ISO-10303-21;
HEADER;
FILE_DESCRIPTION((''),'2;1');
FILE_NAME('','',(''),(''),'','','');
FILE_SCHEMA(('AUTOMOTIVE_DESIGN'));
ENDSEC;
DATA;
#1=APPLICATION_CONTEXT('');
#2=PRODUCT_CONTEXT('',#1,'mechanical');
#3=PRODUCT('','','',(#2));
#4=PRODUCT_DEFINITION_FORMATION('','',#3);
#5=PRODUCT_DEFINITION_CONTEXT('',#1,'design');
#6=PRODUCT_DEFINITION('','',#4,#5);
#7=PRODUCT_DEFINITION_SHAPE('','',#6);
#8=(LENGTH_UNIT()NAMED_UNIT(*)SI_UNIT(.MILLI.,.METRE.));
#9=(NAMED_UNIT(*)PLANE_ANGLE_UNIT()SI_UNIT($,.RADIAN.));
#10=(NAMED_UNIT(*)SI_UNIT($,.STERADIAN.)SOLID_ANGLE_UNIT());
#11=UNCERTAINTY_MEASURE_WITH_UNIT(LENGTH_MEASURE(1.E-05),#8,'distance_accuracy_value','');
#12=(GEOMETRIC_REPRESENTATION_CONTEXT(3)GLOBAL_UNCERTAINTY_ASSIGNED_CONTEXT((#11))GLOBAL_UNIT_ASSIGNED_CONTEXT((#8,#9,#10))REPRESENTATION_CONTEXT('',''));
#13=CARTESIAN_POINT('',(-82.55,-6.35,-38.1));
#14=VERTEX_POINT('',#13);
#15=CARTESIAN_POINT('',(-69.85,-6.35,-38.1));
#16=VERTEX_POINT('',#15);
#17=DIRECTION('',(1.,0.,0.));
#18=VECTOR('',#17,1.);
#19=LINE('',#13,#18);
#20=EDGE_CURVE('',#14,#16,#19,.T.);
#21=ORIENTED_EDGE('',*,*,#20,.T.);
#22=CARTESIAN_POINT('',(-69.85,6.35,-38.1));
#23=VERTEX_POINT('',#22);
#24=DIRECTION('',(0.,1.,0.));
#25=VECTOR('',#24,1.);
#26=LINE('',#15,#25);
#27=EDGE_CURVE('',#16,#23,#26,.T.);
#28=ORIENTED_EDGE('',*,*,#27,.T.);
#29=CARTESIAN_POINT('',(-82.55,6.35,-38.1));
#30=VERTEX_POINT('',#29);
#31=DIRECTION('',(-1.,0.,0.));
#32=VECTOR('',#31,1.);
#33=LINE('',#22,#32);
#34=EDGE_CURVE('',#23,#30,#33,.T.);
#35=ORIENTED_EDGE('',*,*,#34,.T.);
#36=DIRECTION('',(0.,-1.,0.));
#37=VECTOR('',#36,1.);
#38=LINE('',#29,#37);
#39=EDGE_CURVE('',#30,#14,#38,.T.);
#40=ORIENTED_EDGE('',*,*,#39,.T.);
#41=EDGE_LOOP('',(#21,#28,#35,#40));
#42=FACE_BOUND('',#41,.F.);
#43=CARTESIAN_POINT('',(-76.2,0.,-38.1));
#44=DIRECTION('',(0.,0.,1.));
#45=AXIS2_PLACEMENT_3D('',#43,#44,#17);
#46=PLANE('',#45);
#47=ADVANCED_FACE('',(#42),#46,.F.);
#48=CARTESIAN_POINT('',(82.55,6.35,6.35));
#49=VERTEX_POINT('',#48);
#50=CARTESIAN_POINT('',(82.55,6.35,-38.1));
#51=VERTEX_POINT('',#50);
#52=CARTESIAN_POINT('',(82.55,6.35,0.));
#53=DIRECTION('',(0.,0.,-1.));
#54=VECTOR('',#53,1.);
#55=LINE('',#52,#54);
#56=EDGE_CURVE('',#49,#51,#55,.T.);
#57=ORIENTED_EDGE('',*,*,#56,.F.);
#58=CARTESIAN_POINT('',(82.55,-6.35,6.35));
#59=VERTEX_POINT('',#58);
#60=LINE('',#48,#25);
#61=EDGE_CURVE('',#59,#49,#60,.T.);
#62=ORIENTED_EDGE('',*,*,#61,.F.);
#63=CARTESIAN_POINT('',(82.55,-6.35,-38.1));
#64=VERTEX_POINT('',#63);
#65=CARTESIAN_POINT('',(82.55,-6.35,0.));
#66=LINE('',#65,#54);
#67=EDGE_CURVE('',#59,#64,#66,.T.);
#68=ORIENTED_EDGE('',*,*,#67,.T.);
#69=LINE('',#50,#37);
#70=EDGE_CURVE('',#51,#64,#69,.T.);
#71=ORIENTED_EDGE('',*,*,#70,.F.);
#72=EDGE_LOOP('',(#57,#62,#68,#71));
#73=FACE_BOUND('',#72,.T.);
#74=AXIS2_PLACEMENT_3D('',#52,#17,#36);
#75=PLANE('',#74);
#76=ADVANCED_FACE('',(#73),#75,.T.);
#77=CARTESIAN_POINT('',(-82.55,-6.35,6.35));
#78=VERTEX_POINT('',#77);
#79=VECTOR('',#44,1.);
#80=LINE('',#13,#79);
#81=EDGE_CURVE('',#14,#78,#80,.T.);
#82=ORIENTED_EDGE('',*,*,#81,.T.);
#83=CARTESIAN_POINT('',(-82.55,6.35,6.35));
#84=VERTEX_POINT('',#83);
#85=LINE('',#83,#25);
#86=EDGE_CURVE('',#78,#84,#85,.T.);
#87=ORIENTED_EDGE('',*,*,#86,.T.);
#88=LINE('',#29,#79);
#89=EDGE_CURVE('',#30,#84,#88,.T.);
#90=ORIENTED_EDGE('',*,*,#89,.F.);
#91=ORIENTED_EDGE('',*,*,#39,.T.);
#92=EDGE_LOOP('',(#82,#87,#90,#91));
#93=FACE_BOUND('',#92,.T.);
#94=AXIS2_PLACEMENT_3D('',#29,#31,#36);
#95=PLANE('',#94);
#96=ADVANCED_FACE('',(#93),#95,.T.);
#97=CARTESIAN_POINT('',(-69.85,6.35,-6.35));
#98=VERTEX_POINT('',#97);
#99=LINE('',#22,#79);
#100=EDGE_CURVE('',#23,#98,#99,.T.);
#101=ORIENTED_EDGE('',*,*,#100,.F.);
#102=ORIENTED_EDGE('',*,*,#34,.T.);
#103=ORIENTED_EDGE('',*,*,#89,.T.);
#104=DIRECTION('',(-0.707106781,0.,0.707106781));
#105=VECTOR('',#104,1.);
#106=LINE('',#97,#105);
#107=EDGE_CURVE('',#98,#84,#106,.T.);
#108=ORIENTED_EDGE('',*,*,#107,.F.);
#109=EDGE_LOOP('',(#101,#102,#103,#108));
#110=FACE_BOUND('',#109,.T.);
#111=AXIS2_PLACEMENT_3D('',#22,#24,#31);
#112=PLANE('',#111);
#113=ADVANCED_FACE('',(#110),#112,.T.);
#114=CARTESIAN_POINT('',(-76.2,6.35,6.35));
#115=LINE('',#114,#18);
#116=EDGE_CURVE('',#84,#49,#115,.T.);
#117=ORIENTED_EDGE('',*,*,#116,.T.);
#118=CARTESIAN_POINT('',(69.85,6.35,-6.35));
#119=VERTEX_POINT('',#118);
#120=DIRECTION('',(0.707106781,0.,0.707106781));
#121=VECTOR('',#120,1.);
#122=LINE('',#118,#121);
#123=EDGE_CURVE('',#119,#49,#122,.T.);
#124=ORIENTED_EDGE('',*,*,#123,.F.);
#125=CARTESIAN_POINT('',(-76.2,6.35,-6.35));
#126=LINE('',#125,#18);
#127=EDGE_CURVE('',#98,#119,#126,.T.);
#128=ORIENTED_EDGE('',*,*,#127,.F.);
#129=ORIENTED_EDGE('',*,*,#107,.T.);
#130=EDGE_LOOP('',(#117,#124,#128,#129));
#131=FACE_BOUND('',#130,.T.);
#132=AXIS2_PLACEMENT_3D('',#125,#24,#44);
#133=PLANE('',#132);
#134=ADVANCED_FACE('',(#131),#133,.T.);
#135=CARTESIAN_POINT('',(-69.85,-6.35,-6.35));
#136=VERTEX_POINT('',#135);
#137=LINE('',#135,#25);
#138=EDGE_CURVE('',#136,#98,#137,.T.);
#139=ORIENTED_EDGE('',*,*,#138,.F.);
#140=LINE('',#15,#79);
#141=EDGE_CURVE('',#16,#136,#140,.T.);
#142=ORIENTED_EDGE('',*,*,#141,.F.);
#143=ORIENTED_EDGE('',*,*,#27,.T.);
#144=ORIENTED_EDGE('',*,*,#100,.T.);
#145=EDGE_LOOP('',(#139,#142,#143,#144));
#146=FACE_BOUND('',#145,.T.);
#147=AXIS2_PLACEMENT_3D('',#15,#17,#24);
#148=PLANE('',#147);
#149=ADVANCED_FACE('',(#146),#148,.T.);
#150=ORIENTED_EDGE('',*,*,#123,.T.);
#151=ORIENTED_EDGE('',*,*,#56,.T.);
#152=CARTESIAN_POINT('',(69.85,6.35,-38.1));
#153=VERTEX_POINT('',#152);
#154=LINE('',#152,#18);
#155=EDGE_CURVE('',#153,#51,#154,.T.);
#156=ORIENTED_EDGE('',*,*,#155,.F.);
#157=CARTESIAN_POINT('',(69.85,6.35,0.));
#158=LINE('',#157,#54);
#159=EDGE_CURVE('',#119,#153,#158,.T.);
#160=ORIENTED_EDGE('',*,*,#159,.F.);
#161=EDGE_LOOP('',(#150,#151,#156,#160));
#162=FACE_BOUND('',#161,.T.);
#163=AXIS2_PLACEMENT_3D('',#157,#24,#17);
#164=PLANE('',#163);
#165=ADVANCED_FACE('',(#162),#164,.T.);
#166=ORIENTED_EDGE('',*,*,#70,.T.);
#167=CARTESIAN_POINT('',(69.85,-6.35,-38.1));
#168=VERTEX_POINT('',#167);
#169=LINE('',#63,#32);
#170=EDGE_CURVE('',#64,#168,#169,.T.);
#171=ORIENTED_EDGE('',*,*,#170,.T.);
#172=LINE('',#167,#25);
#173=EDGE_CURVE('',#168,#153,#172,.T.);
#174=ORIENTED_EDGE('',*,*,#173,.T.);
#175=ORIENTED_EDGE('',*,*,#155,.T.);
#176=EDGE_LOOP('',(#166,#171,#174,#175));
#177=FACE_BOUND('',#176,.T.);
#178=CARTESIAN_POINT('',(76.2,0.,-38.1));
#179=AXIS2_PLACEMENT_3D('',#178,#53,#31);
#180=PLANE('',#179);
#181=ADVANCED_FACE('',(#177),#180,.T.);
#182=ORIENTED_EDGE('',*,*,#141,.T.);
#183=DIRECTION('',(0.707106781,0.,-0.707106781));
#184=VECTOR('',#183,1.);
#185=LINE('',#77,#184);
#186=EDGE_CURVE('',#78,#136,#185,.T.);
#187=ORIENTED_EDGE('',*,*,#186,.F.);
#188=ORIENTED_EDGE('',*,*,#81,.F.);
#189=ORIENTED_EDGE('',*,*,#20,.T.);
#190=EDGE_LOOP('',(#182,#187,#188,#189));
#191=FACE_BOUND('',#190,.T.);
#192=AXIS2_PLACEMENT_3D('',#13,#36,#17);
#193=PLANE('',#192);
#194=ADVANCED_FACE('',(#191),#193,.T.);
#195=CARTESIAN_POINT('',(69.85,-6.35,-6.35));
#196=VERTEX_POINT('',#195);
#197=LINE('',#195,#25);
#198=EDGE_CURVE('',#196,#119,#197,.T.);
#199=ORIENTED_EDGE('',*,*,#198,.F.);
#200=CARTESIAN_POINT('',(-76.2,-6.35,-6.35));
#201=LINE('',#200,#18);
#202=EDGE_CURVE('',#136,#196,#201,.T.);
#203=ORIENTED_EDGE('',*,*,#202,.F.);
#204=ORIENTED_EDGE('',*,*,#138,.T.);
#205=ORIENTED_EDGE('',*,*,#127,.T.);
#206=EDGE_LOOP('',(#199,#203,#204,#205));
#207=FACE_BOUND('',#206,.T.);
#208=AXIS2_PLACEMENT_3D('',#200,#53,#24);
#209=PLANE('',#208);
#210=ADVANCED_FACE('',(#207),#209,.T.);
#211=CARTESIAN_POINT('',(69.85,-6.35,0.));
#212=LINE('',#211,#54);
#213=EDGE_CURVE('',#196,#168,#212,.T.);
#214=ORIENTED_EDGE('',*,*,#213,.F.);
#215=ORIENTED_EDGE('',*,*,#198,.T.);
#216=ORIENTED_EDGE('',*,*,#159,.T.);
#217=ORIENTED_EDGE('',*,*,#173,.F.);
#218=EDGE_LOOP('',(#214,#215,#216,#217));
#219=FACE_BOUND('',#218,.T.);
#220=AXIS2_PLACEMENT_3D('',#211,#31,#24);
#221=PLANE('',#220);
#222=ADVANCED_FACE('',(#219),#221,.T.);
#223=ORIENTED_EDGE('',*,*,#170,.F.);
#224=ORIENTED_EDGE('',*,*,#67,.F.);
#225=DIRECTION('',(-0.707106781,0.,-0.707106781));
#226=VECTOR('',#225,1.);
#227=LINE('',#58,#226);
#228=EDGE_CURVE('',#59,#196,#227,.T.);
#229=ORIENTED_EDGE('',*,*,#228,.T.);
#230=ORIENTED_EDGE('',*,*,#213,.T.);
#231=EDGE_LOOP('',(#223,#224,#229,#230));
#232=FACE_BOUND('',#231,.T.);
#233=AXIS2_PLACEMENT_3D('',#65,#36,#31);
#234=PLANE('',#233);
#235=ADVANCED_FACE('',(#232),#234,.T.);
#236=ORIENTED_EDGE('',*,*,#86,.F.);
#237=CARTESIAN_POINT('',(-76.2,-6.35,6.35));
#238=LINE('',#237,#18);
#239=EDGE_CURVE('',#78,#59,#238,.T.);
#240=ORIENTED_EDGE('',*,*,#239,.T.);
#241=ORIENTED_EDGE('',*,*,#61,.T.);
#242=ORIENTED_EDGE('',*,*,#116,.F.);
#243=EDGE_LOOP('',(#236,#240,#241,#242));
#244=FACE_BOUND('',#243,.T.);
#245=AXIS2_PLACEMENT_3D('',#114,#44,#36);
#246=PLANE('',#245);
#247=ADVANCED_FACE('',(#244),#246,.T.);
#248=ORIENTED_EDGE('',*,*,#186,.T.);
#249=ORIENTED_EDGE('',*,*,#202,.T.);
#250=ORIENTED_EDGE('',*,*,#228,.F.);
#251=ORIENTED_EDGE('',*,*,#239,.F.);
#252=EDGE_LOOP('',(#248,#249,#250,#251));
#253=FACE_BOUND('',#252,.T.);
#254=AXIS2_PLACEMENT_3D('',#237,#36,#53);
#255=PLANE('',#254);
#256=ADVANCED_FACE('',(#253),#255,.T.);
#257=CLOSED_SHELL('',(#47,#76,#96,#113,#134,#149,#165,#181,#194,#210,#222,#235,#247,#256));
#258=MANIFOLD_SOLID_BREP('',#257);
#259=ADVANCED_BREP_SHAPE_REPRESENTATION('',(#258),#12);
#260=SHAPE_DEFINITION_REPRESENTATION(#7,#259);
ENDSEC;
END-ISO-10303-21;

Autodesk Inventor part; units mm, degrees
ref_plane "YZ Plane" through (0, 0, 0) normal (1, 0, 0) x (0, 1, 0)
ref_plane "XZ Plane" through (0, 0, 0) normal (0, 1, 0) x (-1, 0, 0)
ref_plane "XY Plane" through (0, 0, 0) normal (0, 0, 1) x (1, 0, 0)
sketch "Sketch1" plane through (0, 0, 0) normal (0, 1, 0) x (-1, 0, 0)
  line L0 (76.2, -38.1) -> (76.2, 0)
  line L1 (76.2, 0) -> (-76.2, 0)
  line L2 (-76.2, 0) -> (-76.2, -38.1)
  point P0 (0, 0)
  point P1 (0, 0)
  dimension "d0" = 152.4
  dimension "d1" = 38.1
sketch "Sketch2" plane through (0, 0, 0) normal (1, 0, 0) x (0, 1, 0)
  line L0 (-6.35, -6.35) -> (6.35, -6.35)
  line L1 (6.35, -6.35) -> (6.35, 6.35)
  line L2 (6.35, 6.35) -> (-6.35, 6.35)
  line L3 (-6.35, 6.35) -> (-6.35, -6.35)
  line L4 (-6.35, -6.35) -> (6.35, 6.35) construction
  line L5 (6.35, -6.35) -> (-6.35, 6.35) construction
  point P0 (0, 0)
  dimension "d2" = 12.7
  dimension "d3" = 12.7
sweep "Sweep1" add profiles "Sketch2" path "Sketch1"
properties part number "Square Handle"
